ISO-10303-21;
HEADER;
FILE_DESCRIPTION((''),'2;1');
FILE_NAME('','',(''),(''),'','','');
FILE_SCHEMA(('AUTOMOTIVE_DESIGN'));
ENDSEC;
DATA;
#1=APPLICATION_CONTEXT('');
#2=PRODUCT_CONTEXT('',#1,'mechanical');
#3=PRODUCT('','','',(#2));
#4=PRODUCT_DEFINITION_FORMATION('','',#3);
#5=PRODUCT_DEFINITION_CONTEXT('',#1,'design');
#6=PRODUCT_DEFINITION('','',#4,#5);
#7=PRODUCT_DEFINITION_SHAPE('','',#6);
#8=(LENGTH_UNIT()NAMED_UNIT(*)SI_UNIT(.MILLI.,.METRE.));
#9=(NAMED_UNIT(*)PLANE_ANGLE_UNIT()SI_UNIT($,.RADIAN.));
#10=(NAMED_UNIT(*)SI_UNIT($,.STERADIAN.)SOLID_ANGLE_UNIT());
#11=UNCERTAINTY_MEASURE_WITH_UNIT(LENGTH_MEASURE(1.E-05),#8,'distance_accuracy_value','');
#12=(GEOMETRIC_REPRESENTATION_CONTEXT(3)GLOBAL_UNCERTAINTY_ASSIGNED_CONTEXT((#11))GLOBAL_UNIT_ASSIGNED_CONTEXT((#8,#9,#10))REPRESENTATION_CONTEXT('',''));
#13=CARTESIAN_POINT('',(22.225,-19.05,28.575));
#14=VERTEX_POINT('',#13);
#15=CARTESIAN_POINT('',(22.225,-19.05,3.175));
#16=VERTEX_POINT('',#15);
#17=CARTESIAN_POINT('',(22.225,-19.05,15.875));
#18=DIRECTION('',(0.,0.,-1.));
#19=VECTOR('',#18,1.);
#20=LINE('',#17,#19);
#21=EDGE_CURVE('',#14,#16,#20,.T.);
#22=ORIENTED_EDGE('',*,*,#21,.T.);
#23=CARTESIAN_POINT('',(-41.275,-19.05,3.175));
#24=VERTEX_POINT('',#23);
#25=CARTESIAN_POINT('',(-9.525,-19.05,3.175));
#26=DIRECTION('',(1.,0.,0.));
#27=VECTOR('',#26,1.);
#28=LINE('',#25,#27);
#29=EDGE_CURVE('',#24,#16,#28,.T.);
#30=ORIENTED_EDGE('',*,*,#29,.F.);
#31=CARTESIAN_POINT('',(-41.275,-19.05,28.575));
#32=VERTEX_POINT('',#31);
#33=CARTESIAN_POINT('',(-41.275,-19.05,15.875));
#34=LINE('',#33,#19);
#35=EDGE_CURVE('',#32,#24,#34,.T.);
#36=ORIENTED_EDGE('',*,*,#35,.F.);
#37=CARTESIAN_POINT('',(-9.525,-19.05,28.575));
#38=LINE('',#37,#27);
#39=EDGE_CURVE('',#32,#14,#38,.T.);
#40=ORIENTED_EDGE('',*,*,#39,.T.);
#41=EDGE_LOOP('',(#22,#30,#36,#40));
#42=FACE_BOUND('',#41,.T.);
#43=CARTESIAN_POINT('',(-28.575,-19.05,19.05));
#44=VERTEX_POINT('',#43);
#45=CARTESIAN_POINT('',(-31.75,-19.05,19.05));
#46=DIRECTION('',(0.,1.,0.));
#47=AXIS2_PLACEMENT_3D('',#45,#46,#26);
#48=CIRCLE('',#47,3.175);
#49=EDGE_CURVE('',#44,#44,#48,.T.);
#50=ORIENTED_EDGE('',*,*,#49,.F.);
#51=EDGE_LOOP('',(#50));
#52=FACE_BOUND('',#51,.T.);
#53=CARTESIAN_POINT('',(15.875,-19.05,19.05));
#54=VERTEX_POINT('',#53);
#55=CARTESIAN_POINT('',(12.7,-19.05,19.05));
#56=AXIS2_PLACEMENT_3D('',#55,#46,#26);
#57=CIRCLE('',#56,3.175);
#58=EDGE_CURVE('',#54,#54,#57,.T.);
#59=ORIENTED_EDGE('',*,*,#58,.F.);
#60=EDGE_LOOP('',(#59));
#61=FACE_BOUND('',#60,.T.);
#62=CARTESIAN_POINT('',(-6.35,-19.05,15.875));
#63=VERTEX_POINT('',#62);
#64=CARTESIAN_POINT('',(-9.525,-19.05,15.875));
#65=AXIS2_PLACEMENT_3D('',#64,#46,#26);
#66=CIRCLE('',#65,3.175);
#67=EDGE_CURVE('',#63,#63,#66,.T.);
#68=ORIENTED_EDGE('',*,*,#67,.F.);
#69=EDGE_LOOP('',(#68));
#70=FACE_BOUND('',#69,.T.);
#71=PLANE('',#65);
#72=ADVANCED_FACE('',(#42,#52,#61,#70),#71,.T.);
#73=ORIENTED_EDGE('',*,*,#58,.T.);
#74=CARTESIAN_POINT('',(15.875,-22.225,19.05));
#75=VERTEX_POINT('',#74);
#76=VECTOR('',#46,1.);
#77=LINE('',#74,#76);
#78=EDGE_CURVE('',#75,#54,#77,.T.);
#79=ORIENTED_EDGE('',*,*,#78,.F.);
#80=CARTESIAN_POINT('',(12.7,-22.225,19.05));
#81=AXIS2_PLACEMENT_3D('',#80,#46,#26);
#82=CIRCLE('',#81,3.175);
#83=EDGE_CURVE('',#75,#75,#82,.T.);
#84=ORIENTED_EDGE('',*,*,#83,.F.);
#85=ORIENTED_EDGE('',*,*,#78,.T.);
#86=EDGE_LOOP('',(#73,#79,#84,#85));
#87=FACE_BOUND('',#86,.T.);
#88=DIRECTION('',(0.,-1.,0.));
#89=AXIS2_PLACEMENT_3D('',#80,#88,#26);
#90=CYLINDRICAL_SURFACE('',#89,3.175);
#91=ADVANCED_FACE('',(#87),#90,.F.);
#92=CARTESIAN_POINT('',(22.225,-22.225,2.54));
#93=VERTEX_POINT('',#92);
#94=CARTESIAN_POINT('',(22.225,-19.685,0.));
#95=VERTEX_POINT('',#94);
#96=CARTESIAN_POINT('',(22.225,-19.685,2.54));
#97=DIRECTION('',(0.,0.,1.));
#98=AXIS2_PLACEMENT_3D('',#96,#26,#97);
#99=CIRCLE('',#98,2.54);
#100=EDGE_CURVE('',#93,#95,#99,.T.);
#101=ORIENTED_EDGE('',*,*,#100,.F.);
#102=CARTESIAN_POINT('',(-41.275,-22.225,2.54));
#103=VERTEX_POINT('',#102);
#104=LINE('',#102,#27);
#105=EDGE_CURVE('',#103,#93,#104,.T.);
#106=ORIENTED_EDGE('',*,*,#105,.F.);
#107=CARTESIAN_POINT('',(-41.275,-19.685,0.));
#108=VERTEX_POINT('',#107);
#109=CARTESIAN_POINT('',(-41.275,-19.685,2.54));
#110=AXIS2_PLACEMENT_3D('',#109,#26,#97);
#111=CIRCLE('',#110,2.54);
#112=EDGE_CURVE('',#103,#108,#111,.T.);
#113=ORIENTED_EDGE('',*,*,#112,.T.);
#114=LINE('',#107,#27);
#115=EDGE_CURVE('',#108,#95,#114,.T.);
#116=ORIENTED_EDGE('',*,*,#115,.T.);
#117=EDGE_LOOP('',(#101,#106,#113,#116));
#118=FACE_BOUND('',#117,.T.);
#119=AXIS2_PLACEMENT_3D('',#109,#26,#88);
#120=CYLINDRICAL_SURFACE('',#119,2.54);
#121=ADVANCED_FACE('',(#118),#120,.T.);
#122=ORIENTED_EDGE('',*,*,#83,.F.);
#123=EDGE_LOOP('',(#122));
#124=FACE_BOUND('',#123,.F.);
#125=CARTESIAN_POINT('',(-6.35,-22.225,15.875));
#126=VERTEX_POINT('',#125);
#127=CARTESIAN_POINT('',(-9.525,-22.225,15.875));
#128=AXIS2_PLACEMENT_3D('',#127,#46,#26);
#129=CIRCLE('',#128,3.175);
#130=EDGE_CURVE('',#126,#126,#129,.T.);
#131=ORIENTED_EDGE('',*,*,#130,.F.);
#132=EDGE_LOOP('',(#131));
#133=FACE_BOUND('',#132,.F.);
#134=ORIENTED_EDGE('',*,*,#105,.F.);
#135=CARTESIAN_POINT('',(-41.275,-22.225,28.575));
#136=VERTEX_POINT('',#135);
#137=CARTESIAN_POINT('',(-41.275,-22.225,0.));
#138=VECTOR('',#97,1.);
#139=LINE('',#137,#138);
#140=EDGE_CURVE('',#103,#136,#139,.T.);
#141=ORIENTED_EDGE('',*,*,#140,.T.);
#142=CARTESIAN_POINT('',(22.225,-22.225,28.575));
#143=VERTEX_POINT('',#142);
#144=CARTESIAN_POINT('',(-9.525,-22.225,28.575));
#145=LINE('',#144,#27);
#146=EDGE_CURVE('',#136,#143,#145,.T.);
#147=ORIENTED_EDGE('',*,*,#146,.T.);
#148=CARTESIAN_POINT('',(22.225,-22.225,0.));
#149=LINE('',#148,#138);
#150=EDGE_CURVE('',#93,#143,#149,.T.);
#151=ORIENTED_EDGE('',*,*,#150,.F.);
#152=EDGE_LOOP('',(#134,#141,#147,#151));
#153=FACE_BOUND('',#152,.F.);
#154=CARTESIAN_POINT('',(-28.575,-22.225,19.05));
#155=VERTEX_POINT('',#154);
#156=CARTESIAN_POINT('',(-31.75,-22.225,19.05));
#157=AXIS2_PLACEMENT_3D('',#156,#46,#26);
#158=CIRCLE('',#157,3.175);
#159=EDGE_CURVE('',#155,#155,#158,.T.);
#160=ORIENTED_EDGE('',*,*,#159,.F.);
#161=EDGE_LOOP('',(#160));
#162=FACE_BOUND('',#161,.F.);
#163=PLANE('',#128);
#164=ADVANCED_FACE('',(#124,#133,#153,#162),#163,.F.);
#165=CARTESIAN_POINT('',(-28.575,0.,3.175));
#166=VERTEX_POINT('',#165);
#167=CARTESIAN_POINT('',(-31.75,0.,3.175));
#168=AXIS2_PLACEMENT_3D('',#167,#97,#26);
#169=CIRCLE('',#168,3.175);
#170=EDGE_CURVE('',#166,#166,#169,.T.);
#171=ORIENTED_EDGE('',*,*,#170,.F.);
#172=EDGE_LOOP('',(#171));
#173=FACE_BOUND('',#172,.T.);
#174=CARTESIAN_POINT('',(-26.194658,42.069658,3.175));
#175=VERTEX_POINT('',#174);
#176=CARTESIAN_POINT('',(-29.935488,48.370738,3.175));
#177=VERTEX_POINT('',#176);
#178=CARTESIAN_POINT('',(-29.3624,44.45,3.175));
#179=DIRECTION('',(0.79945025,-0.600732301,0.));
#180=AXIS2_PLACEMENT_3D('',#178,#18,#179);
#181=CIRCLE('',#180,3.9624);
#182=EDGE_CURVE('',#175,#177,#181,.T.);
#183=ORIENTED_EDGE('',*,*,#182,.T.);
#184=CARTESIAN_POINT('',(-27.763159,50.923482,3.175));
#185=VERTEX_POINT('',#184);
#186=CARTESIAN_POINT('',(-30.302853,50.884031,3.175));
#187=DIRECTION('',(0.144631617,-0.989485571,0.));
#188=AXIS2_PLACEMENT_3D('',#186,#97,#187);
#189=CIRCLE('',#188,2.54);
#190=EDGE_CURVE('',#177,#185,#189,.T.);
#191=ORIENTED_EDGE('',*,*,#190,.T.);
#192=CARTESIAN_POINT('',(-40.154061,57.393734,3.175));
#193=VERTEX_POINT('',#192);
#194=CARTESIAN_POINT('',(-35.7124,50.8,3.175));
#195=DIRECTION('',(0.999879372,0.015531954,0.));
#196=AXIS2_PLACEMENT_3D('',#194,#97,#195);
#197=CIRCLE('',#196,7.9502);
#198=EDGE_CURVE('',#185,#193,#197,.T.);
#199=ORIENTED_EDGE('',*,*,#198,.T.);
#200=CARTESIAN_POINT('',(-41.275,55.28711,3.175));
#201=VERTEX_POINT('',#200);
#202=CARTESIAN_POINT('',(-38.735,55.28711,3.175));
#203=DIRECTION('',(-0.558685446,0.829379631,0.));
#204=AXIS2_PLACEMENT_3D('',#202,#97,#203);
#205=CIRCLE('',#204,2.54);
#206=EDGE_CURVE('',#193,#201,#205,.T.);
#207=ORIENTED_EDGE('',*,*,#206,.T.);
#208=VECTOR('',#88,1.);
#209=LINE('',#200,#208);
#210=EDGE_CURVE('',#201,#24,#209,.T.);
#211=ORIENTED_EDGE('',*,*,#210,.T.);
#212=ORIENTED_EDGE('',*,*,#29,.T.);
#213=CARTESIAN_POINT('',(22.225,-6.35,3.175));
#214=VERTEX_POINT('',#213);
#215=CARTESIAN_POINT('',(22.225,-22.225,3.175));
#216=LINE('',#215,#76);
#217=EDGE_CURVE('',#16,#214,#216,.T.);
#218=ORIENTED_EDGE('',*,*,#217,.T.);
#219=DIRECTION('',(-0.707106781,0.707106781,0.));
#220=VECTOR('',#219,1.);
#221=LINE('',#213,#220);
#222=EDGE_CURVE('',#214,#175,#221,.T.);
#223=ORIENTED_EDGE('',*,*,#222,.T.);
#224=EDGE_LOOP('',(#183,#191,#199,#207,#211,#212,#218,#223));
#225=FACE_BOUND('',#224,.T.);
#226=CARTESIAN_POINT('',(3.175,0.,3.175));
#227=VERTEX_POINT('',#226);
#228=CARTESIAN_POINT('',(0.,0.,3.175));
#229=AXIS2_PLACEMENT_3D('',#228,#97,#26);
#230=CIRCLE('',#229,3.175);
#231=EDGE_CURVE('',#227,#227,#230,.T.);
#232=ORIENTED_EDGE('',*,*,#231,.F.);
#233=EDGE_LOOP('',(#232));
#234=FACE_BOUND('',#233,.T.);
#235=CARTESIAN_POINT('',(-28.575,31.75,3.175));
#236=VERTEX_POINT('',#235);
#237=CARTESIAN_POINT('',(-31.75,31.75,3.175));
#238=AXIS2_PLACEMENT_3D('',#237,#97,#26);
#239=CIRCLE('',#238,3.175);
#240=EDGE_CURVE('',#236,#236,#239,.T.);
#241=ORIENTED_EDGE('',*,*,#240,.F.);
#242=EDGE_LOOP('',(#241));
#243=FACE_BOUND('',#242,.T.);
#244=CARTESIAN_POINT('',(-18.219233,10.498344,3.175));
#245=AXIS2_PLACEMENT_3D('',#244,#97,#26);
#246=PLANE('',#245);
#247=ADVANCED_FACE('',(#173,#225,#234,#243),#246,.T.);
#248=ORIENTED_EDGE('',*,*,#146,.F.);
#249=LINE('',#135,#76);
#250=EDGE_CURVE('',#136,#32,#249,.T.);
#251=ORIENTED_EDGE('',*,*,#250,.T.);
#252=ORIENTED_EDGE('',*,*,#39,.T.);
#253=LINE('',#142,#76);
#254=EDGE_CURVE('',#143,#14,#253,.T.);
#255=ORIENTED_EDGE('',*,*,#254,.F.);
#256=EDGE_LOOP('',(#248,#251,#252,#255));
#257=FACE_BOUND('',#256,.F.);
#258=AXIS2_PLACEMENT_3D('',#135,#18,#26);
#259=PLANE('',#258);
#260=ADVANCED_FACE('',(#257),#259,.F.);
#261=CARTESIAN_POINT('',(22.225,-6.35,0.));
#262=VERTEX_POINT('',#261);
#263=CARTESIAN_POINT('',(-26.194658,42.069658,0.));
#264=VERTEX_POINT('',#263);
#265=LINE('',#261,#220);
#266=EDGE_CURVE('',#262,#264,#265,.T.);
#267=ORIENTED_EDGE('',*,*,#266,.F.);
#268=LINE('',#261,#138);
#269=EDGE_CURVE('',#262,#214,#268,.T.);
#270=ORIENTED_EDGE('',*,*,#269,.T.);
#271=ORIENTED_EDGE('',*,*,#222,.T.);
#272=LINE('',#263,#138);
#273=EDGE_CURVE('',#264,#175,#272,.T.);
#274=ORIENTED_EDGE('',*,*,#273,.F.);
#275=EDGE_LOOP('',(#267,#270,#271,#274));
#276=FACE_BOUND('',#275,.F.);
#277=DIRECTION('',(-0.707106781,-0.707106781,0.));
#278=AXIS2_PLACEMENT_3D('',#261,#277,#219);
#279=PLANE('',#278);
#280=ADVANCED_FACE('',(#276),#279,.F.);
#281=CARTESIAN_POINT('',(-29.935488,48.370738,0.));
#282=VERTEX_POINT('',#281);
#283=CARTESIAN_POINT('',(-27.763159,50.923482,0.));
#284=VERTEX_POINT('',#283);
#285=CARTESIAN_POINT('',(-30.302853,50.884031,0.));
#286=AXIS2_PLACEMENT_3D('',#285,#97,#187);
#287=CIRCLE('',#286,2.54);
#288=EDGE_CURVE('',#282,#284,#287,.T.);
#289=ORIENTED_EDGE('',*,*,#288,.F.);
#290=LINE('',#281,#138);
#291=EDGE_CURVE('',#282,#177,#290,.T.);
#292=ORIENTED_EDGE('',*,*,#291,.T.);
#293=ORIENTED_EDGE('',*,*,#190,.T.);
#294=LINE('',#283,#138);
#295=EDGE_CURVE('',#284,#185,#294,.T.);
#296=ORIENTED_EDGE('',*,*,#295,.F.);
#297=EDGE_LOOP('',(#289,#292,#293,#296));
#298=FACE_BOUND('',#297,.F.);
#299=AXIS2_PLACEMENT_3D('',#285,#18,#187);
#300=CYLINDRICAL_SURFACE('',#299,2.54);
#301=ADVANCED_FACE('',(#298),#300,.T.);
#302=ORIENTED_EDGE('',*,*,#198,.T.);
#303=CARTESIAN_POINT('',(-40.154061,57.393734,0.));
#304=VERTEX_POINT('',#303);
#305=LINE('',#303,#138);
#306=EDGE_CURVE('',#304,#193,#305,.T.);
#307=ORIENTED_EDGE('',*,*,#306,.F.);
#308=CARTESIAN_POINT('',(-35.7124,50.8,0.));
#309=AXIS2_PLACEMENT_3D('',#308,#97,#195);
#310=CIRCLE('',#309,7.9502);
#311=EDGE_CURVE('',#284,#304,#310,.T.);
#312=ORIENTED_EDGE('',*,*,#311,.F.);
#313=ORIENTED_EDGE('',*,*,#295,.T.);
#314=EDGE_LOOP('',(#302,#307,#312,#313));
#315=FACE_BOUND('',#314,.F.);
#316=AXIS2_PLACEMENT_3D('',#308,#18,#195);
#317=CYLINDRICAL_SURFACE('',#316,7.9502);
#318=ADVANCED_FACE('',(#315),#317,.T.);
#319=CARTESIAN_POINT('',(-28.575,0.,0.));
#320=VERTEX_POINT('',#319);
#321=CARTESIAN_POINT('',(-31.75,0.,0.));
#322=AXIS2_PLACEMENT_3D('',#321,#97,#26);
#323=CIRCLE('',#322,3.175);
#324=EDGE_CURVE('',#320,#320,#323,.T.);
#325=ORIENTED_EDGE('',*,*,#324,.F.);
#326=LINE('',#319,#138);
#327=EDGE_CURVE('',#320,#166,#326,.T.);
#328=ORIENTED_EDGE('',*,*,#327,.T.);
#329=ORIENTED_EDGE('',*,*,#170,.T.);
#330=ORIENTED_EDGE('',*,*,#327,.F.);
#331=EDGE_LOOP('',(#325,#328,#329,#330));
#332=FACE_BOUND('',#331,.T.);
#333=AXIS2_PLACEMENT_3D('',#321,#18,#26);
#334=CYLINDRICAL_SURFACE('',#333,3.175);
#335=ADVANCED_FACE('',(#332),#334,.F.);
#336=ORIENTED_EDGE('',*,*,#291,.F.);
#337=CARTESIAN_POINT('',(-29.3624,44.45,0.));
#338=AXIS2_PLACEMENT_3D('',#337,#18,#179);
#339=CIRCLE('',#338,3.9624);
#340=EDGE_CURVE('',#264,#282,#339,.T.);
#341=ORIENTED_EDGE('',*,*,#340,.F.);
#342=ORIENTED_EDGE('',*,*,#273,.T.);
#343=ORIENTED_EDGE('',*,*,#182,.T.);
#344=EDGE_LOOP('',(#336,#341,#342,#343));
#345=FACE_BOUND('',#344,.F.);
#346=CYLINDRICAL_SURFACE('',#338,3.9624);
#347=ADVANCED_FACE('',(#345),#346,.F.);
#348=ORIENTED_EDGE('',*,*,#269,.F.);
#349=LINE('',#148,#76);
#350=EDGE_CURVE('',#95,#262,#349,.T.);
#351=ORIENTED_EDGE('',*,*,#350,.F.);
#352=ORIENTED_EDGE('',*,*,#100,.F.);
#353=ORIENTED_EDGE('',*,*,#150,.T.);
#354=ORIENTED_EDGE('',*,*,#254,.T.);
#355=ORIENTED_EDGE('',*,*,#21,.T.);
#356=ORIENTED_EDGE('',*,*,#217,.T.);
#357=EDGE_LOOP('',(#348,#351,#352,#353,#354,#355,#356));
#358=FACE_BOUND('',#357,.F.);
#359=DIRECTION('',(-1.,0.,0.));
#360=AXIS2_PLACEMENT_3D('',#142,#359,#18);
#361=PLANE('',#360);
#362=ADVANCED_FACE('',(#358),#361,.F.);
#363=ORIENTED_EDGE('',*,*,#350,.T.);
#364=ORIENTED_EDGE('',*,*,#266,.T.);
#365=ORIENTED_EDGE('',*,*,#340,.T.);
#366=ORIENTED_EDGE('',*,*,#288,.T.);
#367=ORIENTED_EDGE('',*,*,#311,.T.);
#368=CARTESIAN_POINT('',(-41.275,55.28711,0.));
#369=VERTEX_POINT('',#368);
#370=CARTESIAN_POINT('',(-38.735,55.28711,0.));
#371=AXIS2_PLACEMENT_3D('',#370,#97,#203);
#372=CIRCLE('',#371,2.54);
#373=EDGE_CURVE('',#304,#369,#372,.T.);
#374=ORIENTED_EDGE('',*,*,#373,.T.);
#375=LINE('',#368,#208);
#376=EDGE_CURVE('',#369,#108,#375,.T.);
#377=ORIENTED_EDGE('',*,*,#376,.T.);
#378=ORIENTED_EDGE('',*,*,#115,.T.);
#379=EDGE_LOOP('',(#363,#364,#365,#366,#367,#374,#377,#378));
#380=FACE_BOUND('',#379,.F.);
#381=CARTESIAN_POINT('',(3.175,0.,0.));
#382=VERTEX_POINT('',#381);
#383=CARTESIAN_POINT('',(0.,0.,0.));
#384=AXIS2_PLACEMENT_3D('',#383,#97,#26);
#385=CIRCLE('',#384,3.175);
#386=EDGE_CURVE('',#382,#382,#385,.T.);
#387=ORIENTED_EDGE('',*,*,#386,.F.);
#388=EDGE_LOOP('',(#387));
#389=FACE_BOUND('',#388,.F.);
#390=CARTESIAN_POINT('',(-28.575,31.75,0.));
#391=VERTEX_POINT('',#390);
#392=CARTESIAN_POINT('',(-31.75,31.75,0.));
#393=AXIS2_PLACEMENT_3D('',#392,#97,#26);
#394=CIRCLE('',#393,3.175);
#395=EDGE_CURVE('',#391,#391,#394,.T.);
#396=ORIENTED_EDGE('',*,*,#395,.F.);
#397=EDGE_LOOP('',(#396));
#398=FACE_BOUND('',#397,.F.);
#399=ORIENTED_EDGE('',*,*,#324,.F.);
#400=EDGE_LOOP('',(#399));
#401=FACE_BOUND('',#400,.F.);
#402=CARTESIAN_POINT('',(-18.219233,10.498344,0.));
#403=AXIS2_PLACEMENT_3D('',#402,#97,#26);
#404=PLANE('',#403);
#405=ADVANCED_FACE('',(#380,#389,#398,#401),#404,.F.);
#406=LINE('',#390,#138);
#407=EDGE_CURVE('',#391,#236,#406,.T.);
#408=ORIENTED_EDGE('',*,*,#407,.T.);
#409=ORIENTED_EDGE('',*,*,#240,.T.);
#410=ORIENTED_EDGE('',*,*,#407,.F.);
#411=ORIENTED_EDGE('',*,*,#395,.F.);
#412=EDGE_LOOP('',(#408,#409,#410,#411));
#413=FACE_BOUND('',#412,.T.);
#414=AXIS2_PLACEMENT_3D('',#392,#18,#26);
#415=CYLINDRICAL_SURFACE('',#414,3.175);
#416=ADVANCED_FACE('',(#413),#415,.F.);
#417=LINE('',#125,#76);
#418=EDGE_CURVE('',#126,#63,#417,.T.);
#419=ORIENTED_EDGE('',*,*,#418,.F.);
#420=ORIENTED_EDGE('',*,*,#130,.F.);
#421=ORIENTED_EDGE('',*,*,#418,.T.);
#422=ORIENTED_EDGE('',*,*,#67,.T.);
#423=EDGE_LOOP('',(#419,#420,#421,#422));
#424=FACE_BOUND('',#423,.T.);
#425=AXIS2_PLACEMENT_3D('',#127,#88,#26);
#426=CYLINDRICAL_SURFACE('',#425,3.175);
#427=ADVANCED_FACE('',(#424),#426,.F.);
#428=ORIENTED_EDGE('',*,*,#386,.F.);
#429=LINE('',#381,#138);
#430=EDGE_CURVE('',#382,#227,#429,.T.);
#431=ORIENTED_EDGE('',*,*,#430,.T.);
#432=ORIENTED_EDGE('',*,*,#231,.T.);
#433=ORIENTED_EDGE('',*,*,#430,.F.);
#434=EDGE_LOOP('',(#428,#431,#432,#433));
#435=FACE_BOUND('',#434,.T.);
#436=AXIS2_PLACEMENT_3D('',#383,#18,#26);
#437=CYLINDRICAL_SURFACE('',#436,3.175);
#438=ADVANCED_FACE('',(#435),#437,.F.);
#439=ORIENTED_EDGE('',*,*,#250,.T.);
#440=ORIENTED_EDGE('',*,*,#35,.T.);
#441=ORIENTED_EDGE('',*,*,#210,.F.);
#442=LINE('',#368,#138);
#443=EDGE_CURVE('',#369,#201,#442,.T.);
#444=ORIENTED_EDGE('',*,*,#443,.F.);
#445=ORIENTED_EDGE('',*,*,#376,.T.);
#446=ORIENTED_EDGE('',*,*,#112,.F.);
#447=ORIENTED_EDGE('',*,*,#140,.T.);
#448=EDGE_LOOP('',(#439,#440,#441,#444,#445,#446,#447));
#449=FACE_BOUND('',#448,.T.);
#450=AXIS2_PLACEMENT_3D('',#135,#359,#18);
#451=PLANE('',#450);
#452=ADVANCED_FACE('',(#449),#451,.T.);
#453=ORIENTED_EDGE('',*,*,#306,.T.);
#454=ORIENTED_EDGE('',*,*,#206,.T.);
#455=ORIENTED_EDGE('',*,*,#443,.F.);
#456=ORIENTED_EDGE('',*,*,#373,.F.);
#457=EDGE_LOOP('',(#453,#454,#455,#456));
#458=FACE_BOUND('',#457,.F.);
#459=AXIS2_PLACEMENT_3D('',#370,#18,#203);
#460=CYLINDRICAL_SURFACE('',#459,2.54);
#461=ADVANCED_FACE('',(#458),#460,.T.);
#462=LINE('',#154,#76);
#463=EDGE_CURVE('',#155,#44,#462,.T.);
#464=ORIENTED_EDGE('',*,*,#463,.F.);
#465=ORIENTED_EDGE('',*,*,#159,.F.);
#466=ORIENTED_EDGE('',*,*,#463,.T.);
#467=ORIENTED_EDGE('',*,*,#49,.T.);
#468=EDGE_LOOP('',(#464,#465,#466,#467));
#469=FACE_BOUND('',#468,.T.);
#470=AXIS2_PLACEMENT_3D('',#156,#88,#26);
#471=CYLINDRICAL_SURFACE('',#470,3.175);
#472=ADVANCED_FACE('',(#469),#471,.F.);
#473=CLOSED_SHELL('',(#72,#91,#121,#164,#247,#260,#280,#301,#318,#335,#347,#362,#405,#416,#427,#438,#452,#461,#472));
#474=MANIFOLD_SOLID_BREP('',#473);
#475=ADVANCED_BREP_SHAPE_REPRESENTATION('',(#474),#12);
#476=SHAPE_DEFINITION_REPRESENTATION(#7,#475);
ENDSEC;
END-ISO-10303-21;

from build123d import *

# Parameters (mm, degrees)
SKETCH1_R           = 3.175
BOSS_EXTRUDE1_DEPTH = 3.175
SKETCH2_W           = 63.5
SKETCH2_H           = 25.4
SKETCH2_R           = 3.175
BOSS_EXTRUDE2_DEPTH = 3.175
FILLET1_R           = 2.54


with BuildPart() as part:
    # Sketch1 → Boss-Extrude1 (new body)
    with BuildSketch(Plane.XY):
        with BuildLine():
            Line((-41.275, 55.28710968), (-41.275, -22.225))
            Line((-41.275, -22.225), (22.225, -22.225))
            Line((22.225, -22.225), (22.225, -6.35))
            Line((22.225, -6.35), (-26.194658329, 42.069658329))
            ThreePointArc((-26.194658329, 42.069658329), (-32.769591892, 42.42721549), (-29.935488317, 48.370737627))
            ThreePointArc((-29.935488317, 48.370737627), (-28.368460583, 49.237906002), (-27.763159017, 50.923482141))
            ThreePointArc((-27.763159017, 50.923482141), (-32.032478959, 57.847259125), (-40.154061033, 57.393733943))
            ThreePointArc((-40.154061033, 57.393733943), (-40.977321902, 56.480253631), (-41.275, 55.28710968))
        make_face()
        Circle(SKETCH1_R, mode=Mode.SUBTRACT)
        with Locations((-31.75, 0)):
            Circle(SKETCH1_R, mode=Mode.SUBTRACT)
        with Locations((-31.75, 31.75)):
            Circle(SKETCH1_R, mode=Mode.SUBTRACT)
    extrude(amount=BOSS_EXTRUDE1_DEPTH)

    # Sketch2 → Boss-Extrude2 (add)
    with BuildSketch(Plane(origin=(0, -22.225, 0), x_dir=(1, 0, 0), z_dir=(0, 1, 0))):
        with Locations((-9.525, -15.875)):
            Rectangle(SKETCH2_W, SKETCH2_H)
        with Locations((-9.525, -15.875)):
            Circle(SKETCH2_R, mode=Mode.SUBTRACT)
        with Locations((-31.75, -19.05)):
            Circle(SKETCH2_R, mode=Mode.SUBTRACT)
        with Locations((12.7, -19.05)):
            Circle(SKETCH2_R, mode=Mode.SUBTRACT)
    extrude(amount=BOSS_EXTRUDE2_DEPTH)

    # Fillet1
    fillet1_edges = [part.edges().sort_by_distance(p)[0] for p in [
        (-9.525, -22.225, 0),
    ]]
    fillet(fillet1_edges, radius=FILLET1_R)


solid = part.part
